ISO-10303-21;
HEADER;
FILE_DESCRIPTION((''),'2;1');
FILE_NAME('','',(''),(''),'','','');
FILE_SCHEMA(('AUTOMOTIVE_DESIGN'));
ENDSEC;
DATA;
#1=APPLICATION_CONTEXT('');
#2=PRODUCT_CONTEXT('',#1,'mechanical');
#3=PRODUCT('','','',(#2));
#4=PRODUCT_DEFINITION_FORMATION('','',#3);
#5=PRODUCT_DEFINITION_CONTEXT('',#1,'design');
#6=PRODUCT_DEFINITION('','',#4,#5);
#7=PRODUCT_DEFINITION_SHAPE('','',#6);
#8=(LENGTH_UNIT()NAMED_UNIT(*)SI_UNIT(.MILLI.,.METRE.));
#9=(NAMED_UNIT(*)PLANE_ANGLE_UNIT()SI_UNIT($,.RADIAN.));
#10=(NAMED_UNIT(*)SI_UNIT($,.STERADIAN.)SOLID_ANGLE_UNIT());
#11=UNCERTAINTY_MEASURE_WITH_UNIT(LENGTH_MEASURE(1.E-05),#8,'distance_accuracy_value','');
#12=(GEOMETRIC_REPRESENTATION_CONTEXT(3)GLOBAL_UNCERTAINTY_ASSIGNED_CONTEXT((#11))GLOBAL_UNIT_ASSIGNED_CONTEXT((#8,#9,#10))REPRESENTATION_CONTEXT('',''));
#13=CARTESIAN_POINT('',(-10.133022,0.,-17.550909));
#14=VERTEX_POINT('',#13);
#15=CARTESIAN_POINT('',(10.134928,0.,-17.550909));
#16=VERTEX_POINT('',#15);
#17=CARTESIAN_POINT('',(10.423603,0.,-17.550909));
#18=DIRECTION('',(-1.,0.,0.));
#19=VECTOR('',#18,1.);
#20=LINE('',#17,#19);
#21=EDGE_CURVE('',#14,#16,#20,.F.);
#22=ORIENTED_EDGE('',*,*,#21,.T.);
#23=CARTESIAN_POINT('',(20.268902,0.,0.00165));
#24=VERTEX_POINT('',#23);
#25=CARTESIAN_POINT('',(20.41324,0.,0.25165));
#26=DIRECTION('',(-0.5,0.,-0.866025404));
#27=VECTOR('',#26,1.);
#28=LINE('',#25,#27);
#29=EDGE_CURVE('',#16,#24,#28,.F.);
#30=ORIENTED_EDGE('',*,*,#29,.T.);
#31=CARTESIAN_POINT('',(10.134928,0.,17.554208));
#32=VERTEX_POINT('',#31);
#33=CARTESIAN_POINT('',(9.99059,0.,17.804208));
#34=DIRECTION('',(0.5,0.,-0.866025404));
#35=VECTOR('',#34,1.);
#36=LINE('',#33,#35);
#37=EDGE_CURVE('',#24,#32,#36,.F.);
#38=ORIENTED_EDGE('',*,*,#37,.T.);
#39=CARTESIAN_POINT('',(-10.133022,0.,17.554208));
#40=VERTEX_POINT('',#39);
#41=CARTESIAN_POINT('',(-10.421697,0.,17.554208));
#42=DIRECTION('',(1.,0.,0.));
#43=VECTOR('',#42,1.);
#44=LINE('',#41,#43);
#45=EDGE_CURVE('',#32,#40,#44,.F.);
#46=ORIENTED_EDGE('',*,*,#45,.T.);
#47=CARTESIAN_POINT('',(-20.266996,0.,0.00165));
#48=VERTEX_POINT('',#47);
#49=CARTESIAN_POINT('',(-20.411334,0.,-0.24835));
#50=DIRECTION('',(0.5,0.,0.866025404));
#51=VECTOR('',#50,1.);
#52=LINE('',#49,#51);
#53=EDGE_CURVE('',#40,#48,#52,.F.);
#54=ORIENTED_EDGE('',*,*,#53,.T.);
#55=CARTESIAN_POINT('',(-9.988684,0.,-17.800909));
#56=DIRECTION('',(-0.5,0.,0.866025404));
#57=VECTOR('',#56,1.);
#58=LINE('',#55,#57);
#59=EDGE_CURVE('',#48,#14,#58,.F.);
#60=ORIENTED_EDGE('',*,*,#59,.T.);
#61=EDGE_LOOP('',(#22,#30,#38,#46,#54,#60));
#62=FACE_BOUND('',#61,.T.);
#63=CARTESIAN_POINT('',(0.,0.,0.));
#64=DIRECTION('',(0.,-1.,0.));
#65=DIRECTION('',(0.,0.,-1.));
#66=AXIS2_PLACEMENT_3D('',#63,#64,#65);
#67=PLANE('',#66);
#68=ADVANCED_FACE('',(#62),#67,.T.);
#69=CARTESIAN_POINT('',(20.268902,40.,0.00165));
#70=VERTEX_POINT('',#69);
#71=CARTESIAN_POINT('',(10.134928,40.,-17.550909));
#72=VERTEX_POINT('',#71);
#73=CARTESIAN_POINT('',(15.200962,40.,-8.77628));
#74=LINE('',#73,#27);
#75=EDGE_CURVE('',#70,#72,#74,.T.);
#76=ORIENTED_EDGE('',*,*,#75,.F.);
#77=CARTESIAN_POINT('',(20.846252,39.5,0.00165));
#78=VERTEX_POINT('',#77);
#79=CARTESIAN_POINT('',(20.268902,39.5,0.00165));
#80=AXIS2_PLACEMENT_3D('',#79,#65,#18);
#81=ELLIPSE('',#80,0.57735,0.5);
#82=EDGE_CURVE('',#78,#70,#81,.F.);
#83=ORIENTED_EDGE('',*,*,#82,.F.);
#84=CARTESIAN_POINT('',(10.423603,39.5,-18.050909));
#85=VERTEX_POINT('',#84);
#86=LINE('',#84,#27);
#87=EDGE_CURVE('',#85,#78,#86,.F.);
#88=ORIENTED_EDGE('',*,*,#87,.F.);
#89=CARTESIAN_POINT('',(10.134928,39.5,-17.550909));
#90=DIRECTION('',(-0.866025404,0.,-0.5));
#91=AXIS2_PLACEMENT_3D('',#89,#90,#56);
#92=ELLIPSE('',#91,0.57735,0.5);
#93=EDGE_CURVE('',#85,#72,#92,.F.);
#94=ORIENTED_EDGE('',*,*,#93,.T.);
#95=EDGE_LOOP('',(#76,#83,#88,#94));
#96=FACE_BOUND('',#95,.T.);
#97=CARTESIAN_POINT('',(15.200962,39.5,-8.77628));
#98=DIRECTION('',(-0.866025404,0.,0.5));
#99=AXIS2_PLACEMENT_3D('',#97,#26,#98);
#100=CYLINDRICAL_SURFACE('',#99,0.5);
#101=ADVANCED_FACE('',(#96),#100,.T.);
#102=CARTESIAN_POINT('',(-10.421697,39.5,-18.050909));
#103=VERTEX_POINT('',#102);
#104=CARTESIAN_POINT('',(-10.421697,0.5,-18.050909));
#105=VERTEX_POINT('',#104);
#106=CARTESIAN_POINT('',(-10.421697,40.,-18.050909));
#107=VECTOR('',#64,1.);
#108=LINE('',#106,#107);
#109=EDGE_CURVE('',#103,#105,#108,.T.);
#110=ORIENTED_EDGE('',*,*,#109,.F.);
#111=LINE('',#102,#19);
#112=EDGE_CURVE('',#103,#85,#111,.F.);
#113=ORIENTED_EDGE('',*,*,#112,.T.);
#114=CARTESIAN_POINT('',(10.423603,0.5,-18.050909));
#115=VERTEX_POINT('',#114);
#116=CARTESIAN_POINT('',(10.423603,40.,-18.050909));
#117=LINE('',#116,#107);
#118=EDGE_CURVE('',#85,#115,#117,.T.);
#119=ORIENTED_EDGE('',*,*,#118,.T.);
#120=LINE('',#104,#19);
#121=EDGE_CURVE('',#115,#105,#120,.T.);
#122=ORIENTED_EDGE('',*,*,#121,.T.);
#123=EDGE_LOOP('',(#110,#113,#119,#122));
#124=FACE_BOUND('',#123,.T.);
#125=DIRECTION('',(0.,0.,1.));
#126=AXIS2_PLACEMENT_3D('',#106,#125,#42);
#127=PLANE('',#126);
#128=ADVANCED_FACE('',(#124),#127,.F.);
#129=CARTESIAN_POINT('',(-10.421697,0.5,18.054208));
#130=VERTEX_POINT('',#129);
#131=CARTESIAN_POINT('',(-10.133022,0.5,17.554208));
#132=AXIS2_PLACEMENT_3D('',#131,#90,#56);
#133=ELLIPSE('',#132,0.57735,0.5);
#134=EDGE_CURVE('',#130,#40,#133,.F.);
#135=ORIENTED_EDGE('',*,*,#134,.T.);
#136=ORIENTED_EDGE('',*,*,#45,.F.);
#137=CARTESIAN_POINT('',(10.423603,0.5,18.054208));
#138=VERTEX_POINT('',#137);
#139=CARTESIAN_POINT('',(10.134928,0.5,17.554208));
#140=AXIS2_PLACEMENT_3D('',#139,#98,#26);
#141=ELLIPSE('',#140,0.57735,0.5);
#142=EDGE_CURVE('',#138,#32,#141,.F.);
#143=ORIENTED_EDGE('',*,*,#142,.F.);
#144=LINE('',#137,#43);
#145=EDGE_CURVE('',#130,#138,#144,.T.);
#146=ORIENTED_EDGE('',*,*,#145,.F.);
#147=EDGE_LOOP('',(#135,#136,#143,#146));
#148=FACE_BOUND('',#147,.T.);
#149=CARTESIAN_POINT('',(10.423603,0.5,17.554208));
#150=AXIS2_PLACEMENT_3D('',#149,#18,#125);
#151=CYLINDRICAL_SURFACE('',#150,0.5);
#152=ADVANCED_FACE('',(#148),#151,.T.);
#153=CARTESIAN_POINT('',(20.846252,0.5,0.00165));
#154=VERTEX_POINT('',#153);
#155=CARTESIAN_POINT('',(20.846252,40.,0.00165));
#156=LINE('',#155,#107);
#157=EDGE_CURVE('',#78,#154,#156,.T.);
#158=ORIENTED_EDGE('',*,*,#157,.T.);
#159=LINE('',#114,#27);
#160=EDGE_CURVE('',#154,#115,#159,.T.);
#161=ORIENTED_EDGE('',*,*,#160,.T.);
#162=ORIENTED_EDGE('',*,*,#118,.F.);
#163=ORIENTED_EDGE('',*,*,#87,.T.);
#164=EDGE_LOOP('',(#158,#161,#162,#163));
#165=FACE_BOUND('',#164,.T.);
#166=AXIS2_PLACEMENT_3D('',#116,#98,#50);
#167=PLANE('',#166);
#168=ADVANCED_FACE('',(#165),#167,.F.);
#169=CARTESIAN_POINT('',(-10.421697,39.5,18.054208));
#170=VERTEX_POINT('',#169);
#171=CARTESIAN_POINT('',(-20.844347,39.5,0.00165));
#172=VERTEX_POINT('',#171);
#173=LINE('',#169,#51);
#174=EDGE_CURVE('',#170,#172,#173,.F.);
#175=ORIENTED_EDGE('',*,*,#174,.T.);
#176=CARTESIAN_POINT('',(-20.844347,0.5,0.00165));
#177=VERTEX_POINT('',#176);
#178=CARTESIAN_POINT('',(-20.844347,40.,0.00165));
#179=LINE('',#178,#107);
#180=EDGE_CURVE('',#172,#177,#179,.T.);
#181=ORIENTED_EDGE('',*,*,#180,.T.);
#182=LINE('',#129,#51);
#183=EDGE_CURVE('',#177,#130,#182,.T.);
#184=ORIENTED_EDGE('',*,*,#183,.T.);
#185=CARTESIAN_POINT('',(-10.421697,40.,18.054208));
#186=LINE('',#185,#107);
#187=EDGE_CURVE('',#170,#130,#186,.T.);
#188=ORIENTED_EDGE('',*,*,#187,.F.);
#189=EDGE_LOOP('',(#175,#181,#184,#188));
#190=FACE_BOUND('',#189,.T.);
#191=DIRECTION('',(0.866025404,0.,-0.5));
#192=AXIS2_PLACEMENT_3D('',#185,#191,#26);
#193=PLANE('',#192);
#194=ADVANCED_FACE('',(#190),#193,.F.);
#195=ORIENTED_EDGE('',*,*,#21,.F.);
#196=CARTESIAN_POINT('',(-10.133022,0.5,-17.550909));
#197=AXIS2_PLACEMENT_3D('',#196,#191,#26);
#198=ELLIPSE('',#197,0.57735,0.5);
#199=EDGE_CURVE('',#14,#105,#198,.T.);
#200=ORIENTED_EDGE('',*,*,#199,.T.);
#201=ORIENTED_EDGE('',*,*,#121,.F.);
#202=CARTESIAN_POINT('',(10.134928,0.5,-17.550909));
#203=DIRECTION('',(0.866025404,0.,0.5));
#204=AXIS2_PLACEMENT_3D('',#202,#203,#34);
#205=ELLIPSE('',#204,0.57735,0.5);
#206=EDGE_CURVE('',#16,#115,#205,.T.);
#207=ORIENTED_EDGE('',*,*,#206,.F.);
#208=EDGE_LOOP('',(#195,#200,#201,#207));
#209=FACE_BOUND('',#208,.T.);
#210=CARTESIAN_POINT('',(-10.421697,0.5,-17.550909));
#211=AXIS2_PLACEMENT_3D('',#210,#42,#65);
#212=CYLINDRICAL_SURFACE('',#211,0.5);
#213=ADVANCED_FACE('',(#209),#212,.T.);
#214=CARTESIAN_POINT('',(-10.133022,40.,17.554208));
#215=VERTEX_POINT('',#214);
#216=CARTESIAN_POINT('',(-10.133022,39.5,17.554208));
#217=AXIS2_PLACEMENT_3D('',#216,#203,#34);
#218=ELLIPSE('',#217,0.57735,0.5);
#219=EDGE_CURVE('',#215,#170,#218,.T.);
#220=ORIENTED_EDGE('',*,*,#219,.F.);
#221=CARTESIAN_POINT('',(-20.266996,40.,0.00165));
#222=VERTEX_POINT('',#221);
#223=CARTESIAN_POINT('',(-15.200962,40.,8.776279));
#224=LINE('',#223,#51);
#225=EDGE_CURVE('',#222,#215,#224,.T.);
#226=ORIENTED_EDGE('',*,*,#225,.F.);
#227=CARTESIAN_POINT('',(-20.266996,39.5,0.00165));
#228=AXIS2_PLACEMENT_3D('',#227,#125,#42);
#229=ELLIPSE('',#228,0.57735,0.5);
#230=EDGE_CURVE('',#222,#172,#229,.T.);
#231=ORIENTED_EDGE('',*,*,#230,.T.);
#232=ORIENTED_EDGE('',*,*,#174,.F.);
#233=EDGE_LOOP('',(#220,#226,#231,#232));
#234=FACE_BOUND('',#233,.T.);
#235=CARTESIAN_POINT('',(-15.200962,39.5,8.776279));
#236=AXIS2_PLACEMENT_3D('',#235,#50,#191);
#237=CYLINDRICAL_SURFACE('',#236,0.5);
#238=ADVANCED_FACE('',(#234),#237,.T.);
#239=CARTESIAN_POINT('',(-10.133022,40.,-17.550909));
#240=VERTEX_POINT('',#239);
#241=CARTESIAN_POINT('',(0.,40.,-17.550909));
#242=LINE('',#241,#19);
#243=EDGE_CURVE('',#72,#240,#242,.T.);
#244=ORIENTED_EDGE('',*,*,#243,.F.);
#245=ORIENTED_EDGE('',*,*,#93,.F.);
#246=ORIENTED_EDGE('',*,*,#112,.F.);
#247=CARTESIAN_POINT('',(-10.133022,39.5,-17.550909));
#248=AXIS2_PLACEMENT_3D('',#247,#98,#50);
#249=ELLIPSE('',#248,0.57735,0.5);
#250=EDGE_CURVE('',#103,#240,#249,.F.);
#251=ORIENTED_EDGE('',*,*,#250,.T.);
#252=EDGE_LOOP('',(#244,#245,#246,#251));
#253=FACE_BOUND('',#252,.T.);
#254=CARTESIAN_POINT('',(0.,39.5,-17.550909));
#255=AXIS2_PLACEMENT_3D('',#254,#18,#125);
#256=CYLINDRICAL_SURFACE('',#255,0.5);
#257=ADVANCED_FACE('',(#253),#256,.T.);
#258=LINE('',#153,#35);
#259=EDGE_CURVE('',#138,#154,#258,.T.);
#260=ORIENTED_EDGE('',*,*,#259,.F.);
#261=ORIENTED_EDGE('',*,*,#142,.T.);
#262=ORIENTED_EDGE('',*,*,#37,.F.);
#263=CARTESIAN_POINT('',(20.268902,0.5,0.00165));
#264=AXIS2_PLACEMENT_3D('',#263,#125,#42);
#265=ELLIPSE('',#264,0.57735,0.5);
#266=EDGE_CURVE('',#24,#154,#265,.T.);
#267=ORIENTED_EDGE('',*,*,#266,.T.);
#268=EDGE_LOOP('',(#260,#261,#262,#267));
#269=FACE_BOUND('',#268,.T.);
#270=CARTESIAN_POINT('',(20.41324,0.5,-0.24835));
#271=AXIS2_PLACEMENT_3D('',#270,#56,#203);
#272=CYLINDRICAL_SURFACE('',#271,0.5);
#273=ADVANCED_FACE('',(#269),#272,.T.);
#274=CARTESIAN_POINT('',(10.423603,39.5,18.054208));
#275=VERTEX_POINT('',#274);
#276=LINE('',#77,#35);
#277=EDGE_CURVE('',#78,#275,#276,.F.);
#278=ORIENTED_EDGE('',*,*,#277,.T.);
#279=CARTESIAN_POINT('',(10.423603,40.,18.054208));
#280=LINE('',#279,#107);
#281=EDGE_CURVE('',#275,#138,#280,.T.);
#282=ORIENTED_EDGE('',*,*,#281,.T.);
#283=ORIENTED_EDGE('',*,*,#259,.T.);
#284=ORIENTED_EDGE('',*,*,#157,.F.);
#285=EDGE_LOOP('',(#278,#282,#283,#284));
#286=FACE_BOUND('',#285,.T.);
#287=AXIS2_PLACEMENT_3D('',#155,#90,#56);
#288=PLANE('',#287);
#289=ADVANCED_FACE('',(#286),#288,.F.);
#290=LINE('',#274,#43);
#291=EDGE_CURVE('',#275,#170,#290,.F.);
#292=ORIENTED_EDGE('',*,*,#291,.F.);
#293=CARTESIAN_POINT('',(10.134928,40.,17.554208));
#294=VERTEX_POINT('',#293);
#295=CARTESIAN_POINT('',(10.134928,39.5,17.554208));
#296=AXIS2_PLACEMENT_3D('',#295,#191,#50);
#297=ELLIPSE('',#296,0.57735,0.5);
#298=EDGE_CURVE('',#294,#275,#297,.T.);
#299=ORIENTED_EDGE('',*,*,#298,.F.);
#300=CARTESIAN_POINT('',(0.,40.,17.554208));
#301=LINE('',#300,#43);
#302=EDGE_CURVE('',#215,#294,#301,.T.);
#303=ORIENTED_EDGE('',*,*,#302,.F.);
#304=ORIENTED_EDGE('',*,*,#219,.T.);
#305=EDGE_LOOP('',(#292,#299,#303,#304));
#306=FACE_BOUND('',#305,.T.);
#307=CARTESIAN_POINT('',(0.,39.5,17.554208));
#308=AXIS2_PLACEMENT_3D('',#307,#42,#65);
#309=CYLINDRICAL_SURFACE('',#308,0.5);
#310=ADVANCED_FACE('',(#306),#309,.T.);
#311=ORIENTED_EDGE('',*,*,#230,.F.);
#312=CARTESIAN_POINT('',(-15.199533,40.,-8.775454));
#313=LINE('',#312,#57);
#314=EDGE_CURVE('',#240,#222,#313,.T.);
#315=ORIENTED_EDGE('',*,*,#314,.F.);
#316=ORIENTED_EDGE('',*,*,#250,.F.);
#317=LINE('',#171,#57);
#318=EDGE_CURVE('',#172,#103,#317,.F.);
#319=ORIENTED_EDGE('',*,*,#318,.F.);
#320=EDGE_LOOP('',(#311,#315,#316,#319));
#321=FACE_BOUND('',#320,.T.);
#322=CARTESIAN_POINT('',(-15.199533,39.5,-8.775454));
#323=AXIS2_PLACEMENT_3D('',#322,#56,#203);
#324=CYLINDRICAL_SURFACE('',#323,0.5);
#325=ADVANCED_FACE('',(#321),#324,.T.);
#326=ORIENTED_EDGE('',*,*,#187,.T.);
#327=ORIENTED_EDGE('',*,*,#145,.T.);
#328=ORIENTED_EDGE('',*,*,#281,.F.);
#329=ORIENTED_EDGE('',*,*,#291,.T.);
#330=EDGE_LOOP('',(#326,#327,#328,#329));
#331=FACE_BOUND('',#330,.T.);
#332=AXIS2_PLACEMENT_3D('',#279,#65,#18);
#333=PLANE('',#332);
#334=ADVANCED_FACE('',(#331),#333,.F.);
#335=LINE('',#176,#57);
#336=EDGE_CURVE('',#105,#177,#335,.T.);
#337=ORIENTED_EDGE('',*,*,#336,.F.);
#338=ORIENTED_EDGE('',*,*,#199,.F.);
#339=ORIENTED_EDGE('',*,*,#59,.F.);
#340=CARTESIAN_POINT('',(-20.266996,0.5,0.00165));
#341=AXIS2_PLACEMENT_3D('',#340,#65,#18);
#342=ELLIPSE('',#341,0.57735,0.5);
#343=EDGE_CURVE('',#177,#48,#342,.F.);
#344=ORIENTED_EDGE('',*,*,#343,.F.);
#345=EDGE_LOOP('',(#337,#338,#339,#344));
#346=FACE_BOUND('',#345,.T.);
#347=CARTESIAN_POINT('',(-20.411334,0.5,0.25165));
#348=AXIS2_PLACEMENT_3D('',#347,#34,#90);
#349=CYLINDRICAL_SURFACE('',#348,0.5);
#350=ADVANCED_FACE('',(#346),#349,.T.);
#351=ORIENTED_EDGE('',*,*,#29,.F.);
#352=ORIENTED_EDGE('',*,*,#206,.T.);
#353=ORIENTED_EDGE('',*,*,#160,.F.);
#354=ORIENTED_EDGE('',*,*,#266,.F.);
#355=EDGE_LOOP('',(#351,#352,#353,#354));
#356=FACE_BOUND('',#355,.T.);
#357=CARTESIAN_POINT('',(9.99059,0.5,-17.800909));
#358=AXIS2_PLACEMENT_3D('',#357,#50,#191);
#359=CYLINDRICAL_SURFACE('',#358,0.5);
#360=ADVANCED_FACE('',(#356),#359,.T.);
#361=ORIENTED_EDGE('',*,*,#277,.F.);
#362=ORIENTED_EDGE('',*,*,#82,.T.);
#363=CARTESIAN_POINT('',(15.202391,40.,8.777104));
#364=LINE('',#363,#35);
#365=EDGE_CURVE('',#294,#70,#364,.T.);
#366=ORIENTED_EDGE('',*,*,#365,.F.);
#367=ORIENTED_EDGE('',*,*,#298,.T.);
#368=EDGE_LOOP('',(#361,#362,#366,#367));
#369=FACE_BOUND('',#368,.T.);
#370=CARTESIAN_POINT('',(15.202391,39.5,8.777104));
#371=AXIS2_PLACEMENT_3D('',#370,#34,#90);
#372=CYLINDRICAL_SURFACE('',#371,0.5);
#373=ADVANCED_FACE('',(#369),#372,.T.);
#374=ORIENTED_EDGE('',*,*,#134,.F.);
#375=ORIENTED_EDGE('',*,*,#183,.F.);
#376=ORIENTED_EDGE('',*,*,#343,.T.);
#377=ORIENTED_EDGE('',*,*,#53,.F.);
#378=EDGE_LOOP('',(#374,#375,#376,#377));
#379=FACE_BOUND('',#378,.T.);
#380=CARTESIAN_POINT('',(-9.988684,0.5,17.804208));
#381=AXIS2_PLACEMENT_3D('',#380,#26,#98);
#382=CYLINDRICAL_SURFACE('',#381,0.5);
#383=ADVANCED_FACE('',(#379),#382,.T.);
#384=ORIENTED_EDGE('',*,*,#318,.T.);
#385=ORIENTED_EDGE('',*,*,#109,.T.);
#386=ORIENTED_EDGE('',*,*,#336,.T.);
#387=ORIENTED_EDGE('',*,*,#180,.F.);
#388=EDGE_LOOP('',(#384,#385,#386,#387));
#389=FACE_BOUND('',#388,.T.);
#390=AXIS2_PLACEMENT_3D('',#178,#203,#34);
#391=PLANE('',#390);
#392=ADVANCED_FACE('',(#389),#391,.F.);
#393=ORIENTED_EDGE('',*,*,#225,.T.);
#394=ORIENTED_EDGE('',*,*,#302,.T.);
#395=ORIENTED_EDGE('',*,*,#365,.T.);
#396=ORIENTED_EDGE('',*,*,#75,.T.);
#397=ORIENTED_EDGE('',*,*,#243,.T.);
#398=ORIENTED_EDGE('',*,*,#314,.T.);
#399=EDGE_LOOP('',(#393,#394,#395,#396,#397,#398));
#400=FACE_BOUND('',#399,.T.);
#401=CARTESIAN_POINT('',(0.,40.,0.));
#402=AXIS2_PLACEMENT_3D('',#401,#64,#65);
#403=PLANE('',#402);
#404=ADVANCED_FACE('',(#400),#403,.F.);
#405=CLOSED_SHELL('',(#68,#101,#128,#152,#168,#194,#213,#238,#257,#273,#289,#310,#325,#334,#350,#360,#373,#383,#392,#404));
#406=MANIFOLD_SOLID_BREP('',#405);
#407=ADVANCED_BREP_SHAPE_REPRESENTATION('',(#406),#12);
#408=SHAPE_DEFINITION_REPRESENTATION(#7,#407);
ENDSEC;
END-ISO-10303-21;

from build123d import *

# Parameters (mm, degrees)
BOSS_EXTRUDE1_DEPTH = 40
FILLET1_R           = 0.5


with BuildPart() as part:
    # Sketch1 → Boss-Extrude1 (new body)
    with BuildSketch(Plane(origin=(0, 0, 0), x_dir=(-1, 0, 0), z_dir=(0, 1, 0))):
        Polygon((-10.423602647, 18.05420848), (10.421696815, 18.05420848), (20.844346546, 0.001649597), (10.421696815, -18.050909286), (-10.423602647, -18.050909286), (-20.846252377, 0.001649597), align=None)
    extrude(amount=BOSS_EXTRUDE1_DEPTH)

    # Fillet1
    fillet1_edges = [part.edges().sort_by_distance(p)[0] for p in [
        (0.000952916, 40, -18.050909286),
        (-15.63302168, 40, -9.024629844),
        (-15.63302168, 40, 9.027929039),
        (0.000952916, 40, 18.05420848),
        (15.634927512, 40, 9.027929039),
        (0.000952916, 0, 18.05420848),
        (-15.63302168, 0, 9.027929039),
        (-15.63302168, 0, -9.024629844),
        (0.000952916, 0, -18.050909286),
        (15.634927512, 0, -9.024629844),
        (15.634927512, 0, 9.027929039),
        (15.634927512, 40, -9.024629844),
    ]]
    fillet(fillet1_edges, radius=FILLET1_R)


solid = part.part
